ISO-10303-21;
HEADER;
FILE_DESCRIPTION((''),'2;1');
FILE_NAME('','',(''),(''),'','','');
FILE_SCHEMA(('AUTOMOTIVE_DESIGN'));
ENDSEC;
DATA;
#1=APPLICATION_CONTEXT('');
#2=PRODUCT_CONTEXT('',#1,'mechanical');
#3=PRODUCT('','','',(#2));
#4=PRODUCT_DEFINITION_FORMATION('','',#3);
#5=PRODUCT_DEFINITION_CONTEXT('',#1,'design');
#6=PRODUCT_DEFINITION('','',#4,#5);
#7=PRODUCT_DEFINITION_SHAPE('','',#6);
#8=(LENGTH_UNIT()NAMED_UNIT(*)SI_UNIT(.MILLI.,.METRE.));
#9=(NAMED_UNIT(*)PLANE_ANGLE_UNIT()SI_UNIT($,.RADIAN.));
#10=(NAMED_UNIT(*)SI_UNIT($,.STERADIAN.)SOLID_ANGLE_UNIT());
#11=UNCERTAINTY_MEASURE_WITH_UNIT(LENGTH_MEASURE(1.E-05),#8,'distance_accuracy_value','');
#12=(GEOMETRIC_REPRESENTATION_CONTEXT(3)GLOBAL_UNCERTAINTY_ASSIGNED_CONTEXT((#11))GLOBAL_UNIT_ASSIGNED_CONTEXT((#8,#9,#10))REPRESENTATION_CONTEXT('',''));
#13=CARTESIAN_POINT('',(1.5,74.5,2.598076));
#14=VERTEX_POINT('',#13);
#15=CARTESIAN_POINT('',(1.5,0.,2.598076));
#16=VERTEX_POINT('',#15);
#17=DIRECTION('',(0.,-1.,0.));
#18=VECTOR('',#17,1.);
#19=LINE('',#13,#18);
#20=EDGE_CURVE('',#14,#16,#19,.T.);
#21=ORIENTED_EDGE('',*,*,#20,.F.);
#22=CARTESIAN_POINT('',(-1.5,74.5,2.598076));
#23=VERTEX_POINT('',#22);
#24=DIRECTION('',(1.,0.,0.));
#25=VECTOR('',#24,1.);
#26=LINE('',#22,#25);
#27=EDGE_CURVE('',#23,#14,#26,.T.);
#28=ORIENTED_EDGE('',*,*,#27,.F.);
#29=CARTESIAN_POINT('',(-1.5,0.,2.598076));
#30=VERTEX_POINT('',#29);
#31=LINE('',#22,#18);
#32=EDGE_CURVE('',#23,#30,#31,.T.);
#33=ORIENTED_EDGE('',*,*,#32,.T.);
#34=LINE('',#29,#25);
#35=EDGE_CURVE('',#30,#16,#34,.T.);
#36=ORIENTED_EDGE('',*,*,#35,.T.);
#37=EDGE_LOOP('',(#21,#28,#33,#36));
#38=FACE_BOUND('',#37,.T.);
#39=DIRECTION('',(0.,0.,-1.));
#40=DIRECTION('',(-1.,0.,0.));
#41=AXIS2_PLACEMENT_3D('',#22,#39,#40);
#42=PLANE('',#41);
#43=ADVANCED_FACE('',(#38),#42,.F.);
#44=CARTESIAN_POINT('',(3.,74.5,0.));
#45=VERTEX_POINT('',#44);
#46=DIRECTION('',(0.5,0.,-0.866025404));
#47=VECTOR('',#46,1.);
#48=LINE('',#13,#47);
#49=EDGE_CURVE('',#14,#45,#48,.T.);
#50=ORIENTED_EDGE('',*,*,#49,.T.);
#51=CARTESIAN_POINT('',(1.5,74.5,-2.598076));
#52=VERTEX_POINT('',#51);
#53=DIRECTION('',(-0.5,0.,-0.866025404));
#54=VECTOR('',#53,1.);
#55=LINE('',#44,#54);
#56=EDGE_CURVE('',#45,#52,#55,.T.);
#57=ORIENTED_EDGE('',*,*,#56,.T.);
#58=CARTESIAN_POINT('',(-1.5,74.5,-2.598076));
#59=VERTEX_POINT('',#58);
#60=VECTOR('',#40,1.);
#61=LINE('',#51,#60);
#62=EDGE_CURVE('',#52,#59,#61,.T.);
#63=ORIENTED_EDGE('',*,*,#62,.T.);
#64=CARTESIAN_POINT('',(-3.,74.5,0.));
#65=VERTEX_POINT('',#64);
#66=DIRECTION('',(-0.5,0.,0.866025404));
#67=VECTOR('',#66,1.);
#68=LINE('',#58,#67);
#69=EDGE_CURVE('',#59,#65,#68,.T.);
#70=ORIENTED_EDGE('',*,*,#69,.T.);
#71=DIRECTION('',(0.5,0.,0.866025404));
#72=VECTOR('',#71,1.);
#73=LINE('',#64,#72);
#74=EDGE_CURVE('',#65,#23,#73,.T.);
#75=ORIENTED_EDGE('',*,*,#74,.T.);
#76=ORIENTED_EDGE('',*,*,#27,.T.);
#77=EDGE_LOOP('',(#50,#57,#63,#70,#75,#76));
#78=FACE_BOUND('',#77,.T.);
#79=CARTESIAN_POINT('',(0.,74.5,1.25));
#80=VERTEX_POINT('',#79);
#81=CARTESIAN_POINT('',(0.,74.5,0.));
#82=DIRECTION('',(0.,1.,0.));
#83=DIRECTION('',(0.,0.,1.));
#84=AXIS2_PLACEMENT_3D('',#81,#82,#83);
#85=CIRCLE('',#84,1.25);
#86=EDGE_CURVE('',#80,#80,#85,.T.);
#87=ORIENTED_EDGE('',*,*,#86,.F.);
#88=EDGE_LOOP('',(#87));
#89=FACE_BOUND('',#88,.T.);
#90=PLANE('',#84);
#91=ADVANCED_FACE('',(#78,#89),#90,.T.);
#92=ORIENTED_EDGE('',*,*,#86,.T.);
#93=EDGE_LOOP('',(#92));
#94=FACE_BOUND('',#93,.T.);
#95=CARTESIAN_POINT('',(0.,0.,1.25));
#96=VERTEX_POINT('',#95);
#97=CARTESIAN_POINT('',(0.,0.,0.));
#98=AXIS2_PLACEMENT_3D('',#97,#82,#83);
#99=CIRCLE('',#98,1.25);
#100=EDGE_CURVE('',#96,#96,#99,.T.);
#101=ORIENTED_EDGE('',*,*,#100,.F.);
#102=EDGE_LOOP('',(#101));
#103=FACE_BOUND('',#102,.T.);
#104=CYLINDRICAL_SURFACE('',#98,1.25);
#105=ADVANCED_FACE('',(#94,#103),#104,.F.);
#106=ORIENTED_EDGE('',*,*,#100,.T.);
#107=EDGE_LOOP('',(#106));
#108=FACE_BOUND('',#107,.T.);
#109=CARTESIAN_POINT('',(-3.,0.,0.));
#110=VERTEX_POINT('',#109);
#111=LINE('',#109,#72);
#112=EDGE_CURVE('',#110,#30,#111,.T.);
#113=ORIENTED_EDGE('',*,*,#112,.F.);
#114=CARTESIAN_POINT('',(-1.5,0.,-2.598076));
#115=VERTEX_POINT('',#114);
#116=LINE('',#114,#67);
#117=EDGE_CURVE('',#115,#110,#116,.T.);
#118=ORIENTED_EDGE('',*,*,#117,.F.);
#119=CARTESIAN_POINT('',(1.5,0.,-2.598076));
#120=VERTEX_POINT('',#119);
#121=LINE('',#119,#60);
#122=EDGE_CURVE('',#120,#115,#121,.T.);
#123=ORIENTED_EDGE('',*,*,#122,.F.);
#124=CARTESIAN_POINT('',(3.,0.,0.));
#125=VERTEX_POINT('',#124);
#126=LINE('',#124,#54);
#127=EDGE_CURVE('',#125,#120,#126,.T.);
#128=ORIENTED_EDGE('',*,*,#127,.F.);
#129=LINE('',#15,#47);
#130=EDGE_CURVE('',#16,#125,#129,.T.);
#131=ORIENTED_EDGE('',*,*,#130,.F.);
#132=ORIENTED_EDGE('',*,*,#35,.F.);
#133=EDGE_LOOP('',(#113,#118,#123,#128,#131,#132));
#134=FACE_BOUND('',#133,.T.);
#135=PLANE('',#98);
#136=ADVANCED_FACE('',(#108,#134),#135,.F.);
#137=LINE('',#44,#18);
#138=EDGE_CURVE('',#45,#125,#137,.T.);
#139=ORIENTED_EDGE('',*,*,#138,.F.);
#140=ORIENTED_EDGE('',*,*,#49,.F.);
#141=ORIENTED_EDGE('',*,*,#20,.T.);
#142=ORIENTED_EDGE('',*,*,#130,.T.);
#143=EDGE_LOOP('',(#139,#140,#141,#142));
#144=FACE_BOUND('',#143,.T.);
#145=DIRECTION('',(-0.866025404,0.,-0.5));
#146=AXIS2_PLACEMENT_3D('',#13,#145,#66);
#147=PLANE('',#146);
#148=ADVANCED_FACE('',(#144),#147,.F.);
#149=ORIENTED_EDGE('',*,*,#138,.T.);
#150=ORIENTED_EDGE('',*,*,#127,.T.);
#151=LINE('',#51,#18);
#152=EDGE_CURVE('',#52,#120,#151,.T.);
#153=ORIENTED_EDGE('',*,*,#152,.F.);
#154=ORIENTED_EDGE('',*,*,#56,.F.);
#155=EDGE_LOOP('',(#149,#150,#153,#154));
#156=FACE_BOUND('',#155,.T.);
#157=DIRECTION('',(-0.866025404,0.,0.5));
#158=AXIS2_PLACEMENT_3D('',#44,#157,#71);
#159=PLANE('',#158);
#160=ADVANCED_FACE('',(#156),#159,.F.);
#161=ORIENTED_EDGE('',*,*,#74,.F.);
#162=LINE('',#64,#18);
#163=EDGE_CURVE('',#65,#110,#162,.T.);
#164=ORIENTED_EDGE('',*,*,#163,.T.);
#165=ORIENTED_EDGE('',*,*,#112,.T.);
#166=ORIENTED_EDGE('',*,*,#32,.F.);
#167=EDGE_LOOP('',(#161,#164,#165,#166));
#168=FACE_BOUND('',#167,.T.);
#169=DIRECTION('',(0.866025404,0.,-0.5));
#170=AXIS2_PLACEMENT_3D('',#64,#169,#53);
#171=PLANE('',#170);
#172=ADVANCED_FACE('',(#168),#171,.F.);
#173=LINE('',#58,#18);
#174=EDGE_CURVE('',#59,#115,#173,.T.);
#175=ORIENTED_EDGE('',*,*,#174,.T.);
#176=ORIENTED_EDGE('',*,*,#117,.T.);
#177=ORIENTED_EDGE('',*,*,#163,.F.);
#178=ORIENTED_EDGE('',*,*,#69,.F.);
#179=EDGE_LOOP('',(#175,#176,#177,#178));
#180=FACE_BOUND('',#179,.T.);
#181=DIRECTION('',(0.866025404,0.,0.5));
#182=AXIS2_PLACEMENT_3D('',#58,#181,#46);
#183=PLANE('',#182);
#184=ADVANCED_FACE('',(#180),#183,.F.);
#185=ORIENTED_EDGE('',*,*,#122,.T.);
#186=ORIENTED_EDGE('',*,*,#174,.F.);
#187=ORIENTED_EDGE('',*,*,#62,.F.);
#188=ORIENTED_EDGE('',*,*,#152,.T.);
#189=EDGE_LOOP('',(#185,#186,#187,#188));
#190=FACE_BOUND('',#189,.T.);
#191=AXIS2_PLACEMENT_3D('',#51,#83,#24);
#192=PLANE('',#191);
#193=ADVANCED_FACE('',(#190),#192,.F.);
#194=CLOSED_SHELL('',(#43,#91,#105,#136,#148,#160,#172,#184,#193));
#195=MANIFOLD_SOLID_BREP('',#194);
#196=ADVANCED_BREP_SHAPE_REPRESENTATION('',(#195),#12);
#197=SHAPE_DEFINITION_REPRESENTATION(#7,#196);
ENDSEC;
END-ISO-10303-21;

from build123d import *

# Parameters (mm, degrees)
BOSS_EXTRUDE1_DEPTH = 74.5
SKETCH2_R           = 1.25
CUT_EXTRUDE1_DEPTH  = 75.605629814


with BuildPart() as part:
    # Sketch1 → Boss-Extrude1 (new body)
    with BuildSketch(Plane(origin=(0, 0, 0), x_dir=(1, 0, 0), z_dir=(0, 1, 0))):
        Polygon((1.5, 2.598076211), (-1.5, 2.598076211), (-3, 0), (-1.5, -2.598076211), (1.5, -2.598076211), (3, 0), align=None)
    extrude(amount=BOSS_EXTRUDE1_DEPTH)

    # Sketch2 → Cut-Extrude1 (cut, through all)
    with BuildSketch(Plane(origin=(0, 74.5, 0), x_dir=(1, 0, 0), z_dir=(0, 1, 0))):
        with Locations(Location((0, 0, 0), (0, 0, 270))):
            Circle(SKETCH2_R)
    extrude(amount=-CUT_EXTRUDE1_DEPTH, mode=Mode.SUBTRACT)


solid = part.part
